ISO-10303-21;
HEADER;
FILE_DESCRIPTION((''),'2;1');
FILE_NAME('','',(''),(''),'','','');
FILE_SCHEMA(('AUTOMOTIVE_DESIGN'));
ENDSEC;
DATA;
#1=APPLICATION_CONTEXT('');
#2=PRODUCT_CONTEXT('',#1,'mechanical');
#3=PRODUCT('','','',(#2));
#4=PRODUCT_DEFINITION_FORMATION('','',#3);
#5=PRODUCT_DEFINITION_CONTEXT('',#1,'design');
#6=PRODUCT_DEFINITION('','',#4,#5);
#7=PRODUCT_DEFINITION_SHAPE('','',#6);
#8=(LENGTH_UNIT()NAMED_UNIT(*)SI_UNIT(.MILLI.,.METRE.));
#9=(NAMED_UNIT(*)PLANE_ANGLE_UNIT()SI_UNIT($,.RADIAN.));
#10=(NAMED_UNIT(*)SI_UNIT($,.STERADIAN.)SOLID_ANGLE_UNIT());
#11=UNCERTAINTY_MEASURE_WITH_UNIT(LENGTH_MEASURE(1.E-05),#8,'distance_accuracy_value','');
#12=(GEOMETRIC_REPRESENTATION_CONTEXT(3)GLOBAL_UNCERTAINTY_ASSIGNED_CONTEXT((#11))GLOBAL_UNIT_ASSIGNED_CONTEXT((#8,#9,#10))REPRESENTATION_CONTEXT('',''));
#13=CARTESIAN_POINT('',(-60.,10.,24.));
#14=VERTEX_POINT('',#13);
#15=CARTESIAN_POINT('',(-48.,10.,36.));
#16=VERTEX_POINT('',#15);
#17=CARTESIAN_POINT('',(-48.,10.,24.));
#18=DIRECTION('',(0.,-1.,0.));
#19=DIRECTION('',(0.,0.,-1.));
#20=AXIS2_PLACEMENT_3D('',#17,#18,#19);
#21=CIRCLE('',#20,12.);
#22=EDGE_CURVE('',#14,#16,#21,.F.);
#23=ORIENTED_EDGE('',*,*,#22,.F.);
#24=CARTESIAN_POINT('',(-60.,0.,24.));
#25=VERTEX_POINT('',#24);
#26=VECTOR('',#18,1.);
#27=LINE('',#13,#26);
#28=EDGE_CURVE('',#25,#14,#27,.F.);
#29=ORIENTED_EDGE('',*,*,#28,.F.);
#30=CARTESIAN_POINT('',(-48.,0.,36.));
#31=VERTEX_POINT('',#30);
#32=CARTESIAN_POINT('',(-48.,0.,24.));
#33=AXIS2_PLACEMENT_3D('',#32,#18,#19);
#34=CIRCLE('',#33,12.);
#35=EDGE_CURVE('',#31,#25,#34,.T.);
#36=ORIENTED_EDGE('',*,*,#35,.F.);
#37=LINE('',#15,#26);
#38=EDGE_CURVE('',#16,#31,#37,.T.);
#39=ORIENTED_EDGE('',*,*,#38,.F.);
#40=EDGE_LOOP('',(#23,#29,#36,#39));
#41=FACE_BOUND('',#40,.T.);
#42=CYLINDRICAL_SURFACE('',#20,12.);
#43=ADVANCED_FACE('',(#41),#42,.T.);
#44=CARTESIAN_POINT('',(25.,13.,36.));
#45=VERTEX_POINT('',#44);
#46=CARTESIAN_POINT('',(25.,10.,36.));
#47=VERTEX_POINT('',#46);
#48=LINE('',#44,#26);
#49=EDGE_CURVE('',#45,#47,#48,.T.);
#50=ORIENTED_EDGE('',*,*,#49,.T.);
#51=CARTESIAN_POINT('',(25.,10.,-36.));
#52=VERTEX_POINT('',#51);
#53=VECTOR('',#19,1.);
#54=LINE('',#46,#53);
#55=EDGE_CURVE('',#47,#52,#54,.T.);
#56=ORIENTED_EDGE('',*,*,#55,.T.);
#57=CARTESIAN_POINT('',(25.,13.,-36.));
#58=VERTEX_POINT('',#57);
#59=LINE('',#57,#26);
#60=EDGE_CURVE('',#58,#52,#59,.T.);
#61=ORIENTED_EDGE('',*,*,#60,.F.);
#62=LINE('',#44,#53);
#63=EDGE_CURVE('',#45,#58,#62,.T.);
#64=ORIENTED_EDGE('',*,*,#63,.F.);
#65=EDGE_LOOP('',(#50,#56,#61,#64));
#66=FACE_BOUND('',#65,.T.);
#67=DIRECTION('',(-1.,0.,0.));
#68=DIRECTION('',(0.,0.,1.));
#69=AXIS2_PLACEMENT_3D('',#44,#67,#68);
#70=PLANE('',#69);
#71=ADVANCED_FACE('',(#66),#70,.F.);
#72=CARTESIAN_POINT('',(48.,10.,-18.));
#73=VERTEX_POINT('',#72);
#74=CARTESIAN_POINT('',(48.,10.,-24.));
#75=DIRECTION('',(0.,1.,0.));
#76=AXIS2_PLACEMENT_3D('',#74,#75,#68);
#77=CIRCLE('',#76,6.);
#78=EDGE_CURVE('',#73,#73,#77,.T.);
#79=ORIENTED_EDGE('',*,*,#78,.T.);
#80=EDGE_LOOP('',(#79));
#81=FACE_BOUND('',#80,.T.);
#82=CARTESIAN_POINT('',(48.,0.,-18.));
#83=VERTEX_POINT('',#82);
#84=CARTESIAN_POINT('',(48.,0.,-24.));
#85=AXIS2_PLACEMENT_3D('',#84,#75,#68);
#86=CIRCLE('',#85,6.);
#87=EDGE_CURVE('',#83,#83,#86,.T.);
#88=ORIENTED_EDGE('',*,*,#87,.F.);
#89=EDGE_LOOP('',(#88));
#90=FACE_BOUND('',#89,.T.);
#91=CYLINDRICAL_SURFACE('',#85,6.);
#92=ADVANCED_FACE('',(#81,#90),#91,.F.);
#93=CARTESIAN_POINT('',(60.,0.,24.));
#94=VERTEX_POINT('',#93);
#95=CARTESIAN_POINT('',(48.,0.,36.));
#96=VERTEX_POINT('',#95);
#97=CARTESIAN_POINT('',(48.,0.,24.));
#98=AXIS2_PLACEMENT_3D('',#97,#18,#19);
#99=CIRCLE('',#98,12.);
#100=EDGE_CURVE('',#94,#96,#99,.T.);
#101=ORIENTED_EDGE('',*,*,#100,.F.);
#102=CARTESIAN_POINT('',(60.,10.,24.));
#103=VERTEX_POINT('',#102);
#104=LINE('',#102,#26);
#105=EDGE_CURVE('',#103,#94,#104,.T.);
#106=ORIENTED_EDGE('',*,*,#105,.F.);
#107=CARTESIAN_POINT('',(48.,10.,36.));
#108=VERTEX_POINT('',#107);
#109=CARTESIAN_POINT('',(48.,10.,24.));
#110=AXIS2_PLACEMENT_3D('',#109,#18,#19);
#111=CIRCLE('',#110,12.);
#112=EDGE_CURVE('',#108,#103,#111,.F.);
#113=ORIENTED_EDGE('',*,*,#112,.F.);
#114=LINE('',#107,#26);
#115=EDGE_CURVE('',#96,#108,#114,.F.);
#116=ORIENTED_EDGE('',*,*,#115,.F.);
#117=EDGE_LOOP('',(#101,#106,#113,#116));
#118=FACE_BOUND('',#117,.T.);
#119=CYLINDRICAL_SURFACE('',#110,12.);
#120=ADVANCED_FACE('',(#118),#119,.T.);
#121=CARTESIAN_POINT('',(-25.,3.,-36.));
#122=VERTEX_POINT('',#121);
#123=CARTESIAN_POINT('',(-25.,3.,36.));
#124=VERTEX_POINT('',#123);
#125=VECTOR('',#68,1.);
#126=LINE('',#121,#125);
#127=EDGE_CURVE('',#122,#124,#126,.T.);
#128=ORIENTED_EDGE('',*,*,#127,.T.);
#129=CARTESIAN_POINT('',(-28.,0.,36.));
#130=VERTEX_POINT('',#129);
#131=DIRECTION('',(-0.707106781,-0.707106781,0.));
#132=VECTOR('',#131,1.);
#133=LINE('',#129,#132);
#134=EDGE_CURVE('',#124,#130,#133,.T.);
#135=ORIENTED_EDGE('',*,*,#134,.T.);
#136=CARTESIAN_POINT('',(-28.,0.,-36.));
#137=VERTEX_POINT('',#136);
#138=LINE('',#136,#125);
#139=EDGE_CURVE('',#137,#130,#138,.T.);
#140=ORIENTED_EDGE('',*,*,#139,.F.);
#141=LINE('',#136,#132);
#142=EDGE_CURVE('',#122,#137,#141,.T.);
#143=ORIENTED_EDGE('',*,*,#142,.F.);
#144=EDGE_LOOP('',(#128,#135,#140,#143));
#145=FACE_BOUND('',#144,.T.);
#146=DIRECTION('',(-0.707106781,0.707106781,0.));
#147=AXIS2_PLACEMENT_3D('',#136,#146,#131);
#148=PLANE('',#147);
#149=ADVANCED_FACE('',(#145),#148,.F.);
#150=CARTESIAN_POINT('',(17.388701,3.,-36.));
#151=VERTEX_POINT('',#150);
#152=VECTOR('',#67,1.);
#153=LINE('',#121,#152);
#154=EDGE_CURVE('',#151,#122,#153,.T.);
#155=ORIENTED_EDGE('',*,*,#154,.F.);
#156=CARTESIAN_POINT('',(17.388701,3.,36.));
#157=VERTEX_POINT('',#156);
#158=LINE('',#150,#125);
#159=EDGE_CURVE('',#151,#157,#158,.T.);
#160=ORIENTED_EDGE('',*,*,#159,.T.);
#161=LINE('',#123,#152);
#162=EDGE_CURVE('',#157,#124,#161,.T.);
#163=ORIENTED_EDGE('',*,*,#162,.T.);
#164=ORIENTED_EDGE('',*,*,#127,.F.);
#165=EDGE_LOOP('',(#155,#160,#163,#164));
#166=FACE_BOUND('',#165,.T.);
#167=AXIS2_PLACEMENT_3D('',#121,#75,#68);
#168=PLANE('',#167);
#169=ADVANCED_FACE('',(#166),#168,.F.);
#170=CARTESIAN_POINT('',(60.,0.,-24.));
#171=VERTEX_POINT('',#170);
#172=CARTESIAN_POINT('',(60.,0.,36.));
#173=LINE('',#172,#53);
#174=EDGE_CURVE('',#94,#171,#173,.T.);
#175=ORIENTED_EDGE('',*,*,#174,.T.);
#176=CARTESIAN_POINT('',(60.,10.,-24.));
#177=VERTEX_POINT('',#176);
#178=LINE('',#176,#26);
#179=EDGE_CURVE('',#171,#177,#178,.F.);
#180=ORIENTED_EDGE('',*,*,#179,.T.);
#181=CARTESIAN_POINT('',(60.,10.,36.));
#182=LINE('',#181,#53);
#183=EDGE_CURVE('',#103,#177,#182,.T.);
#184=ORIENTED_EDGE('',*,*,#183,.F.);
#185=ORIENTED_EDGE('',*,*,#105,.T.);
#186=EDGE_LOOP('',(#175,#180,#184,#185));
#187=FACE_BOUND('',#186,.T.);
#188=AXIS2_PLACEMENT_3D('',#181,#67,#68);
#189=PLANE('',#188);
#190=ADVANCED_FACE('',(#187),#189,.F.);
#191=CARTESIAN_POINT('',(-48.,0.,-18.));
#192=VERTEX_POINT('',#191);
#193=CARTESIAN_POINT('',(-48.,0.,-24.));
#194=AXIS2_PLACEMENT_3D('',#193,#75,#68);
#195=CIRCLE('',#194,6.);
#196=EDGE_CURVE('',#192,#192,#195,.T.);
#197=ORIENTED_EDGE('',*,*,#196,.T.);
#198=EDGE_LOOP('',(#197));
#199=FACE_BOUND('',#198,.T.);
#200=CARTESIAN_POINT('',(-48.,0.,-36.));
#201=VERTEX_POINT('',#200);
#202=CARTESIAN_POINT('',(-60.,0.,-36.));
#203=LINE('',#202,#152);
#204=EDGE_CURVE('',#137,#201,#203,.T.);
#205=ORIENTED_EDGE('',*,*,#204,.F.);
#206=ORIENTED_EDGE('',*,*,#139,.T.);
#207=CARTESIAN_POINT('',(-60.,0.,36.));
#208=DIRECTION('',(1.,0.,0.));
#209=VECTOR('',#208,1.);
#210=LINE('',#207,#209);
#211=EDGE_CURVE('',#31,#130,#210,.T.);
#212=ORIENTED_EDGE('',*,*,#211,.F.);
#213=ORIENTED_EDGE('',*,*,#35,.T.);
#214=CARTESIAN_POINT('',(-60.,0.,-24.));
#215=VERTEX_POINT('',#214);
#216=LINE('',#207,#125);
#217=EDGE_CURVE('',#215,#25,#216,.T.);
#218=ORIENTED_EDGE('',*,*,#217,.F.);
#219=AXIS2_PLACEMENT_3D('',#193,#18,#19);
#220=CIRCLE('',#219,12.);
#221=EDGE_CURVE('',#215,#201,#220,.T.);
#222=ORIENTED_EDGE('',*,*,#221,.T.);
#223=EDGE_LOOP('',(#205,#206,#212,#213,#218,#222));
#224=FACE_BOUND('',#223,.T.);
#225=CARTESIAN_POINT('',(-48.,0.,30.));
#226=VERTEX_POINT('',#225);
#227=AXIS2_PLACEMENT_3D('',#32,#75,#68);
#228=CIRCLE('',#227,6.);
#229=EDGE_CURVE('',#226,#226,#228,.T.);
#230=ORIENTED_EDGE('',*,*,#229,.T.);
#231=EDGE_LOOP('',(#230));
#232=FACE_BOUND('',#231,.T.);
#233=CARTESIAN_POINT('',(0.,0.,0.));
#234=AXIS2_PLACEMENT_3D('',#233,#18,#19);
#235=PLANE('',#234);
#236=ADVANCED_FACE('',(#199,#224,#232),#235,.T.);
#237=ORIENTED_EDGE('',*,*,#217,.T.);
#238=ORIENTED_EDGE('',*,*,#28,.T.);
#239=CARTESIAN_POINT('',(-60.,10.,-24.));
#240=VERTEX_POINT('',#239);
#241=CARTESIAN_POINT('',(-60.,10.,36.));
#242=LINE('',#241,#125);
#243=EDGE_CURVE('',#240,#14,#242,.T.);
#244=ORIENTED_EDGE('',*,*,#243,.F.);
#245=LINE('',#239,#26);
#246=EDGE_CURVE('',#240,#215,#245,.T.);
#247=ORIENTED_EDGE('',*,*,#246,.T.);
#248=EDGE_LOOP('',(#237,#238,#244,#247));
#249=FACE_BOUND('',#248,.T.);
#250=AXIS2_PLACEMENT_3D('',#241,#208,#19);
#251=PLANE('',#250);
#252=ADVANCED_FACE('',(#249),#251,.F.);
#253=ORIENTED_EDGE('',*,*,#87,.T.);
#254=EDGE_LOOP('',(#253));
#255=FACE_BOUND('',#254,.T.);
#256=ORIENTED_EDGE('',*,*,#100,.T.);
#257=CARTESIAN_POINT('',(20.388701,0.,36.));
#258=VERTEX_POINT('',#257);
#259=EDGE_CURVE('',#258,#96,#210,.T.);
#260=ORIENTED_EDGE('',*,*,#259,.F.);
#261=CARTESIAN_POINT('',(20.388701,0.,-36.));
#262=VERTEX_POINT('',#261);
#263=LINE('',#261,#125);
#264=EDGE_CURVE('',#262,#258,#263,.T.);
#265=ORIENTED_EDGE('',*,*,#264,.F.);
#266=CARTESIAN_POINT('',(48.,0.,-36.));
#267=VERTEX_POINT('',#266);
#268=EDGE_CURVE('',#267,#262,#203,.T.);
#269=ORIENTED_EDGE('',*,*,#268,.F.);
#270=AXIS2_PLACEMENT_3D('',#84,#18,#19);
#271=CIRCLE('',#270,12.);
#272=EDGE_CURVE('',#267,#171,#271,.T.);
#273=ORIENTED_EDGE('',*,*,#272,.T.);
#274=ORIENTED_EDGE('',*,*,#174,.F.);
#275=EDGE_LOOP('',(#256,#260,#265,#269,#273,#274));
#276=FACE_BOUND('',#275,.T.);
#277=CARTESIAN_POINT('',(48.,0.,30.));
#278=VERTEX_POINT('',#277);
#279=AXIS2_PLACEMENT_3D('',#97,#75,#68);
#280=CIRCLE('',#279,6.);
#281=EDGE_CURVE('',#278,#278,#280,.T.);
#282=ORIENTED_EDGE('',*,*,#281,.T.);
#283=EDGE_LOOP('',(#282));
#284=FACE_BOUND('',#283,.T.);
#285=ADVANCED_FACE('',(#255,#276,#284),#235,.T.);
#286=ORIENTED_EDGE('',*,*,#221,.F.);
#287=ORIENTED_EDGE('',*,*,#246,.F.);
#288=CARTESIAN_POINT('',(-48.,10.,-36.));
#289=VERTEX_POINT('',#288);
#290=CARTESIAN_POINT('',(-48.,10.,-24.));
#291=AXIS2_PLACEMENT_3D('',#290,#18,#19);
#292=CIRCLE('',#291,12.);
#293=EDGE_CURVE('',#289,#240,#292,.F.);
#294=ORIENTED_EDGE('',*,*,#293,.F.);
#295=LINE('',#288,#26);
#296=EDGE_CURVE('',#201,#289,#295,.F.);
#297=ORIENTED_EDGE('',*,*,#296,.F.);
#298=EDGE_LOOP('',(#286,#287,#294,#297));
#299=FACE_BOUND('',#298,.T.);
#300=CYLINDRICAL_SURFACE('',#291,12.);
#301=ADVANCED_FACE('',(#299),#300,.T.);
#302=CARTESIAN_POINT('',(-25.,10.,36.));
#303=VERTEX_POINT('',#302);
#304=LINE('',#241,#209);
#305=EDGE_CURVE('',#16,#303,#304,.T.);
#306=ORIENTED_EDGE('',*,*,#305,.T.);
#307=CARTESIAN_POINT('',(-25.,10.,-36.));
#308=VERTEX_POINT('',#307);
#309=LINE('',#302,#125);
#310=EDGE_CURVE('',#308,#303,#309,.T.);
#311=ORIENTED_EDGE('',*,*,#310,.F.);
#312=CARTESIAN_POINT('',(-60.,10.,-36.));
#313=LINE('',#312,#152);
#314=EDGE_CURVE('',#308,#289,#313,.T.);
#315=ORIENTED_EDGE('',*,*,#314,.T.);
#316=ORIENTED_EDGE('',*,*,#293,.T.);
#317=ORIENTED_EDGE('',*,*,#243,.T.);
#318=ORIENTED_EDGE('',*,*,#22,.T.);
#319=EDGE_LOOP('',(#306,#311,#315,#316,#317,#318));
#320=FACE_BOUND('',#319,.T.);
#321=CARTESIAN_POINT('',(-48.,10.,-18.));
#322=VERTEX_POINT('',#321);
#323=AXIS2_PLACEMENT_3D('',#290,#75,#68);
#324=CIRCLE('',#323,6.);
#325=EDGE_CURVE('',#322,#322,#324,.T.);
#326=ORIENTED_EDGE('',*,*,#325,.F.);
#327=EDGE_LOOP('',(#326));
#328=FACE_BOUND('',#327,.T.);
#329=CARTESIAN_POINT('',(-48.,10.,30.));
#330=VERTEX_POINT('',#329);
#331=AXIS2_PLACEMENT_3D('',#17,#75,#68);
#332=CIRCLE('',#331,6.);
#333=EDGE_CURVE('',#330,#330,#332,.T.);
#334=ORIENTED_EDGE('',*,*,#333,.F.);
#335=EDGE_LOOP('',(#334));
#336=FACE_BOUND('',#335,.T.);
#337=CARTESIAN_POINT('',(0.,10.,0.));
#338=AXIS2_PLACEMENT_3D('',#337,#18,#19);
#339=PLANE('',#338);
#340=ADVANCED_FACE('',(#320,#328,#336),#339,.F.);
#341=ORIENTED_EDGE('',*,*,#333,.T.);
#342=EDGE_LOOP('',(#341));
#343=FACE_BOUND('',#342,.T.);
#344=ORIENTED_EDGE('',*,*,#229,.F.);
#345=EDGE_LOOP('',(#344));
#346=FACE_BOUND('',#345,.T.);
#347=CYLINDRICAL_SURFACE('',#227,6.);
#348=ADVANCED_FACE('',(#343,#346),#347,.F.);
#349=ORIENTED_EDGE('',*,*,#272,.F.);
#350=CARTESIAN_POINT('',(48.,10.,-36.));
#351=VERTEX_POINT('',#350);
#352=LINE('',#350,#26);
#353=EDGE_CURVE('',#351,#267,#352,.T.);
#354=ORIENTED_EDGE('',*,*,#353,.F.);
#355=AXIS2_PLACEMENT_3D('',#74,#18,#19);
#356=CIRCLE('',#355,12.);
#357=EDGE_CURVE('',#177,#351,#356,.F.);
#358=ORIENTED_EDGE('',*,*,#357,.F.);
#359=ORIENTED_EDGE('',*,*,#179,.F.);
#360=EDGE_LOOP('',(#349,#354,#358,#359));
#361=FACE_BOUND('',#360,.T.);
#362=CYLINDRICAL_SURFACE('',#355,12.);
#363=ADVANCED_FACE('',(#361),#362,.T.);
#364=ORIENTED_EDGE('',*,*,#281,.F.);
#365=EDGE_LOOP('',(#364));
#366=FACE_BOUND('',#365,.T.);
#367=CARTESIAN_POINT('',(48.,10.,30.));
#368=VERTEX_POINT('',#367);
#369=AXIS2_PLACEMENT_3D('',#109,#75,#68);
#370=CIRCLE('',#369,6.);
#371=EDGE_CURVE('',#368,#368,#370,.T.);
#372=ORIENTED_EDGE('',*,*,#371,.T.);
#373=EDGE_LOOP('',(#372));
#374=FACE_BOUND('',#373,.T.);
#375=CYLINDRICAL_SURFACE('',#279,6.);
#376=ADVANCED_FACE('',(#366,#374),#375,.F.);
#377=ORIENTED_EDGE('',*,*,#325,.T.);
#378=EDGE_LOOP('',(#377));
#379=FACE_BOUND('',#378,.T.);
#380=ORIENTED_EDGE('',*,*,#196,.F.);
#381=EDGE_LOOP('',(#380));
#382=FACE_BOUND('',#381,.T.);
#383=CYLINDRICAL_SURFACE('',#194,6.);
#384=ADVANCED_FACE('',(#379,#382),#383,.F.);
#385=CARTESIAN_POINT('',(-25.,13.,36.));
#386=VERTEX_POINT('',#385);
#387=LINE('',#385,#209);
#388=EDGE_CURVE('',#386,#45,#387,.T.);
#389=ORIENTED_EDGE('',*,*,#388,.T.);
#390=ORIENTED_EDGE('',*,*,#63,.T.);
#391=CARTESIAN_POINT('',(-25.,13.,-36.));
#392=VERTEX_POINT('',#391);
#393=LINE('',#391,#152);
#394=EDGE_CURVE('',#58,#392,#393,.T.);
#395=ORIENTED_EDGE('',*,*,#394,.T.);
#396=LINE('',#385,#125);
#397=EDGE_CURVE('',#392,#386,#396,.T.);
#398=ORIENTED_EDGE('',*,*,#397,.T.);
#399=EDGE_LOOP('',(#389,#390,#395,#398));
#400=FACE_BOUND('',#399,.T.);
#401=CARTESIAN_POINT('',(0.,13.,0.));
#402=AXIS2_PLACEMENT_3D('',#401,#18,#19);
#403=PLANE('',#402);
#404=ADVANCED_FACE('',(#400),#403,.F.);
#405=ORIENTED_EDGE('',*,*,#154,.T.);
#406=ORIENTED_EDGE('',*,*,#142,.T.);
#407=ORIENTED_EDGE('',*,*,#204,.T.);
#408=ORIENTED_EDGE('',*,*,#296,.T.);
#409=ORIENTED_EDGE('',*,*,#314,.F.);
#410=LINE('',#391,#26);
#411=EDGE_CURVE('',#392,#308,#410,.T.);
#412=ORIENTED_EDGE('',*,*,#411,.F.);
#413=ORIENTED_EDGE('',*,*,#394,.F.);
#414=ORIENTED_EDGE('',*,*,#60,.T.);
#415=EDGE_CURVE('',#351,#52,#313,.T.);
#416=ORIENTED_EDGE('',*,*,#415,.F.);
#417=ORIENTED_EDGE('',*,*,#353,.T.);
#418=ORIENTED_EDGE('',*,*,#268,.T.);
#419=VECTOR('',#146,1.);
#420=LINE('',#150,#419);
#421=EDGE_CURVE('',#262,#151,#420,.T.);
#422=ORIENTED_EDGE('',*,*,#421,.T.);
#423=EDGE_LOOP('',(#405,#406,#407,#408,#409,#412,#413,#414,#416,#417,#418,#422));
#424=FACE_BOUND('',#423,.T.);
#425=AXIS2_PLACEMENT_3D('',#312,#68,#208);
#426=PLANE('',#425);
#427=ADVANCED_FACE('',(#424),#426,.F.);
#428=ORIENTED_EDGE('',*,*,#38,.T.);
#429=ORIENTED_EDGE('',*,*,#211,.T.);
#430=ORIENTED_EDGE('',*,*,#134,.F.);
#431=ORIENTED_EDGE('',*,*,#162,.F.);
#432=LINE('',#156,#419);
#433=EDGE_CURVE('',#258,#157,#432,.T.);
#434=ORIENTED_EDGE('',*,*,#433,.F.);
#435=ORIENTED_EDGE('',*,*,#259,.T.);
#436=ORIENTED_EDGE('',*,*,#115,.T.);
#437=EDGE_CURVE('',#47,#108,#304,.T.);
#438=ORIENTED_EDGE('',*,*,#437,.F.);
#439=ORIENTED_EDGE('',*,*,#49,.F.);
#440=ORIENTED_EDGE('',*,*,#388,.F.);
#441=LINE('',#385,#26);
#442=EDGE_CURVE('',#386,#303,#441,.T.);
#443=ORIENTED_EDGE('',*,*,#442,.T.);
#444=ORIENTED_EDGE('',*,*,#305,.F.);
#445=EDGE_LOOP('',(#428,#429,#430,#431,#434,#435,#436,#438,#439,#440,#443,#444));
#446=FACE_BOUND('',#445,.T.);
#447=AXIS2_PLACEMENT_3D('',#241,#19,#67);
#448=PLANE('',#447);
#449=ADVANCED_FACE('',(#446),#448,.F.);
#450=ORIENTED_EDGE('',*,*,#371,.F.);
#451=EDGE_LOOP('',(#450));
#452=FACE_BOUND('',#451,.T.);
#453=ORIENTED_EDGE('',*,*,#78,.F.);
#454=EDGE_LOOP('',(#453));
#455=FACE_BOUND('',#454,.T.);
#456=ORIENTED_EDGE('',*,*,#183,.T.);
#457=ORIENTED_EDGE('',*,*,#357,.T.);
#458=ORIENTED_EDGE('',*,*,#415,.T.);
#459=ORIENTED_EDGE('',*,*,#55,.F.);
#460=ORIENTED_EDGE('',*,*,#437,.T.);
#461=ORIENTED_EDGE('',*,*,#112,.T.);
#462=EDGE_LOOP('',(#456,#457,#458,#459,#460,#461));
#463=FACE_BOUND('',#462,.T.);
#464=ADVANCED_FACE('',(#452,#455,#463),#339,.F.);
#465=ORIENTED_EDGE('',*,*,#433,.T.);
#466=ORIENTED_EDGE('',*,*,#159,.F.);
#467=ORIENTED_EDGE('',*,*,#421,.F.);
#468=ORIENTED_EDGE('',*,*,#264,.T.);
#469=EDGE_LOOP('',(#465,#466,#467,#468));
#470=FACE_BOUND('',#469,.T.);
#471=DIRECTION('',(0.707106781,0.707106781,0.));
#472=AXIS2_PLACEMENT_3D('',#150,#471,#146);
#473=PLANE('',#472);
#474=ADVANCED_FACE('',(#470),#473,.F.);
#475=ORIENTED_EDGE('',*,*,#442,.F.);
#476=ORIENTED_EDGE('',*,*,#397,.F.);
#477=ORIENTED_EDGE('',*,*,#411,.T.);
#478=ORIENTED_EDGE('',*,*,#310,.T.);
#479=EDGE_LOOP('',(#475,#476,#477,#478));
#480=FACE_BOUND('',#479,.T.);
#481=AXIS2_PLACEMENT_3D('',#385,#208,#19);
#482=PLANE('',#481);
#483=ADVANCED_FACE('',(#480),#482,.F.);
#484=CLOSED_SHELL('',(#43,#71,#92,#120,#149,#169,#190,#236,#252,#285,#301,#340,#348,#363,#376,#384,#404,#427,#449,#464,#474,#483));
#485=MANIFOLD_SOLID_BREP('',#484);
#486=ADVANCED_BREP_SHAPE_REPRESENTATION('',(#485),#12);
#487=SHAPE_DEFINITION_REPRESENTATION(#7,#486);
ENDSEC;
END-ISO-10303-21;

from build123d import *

# Parameters (mm, degrees)
SKETCH1_W           = 120
SKETCH1_H           = 72
BOSS_EXTRUDE1_DEPTH = 10
SKETCH2_R           = 6
CUT_EXTRUDE1_DEPTH  = 71.682388188
FILLET1_R           = 12
CUT_EXTRUDE2_DEPTH  = 95.254973344
SKETCH4_W           = 50
SKETCH4_H           = 72
BOSS_EXTRUDE3_DEPTH = 3


with BuildPart() as part:
    # Sketch1 → Boss-Extrude1 (new body)
    with BuildSketch(Plane(origin=(0, 0, 0), x_dir=(1, 0, 0), z_dir=(0, 1, 0))):
        Rectangle(SKETCH1_W, SKETCH1_H)
    extrude(amount=BOSS_EXTRUDE1_DEPTH)

    # Sketch2 → Cut-Extrude1 (cut, through all)
    with BuildSketch(Plane(origin=(0, 10, 0), x_dir=(1, 0, 0), z_dir=(0, 1, 0))):
        with Locations(Location((-48, 24, 0), (0, 0, 270))):
            Circle(SKETCH2_R)
        with Locations(Location((-48, -24, 0), (0, 0, 270))):
            Circle(SKETCH2_R)
        with Locations(Location((48, -24, 0), (0, 0, 270))):
            Circle(SKETCH2_R)
        with Locations(Location((48, 24, 0), (0, 0, 270))):
            Circle(SKETCH2_R)
    extrude(amount=-CUT_EXTRUDE1_DEPTH, mode=Mode.SUBTRACT)

    # Fillet1
    fillet1_edges = [part.edges().sort_by_distance(p)[0] for p in [
        (60, 5, 36),
        (-60, 5, 36),
        (-60, 5, -36),
        (60, 5, -36),
    ]]
    fillet(fillet1_edges, radius=FILLET1_R)

    # Sketch3 → Cut-Extrude2 (cut, through all)
    with BuildSketch(Plane.XY.offset(36)):
        Polygon((-28, 0), (-25, 3), (17.388701421, 3), (20.388701421, 0), align=None)
    extrude(amount=-CUT_EXTRUDE2_DEPTH, mode=Mode.SUBTRACT)

    # Sketch4 → Boss-Extrude3 (add)
    with BuildSketch(Plane(origin=(0, 10, 0), x_dir=(1, 0, 0), z_dir=(0, 1, 0))):
        Rectangle(SKETCH4_W, SKETCH4_H)
    extrude(amount=BOSS_EXTRUDE3_DEPTH)


solid = part.part
